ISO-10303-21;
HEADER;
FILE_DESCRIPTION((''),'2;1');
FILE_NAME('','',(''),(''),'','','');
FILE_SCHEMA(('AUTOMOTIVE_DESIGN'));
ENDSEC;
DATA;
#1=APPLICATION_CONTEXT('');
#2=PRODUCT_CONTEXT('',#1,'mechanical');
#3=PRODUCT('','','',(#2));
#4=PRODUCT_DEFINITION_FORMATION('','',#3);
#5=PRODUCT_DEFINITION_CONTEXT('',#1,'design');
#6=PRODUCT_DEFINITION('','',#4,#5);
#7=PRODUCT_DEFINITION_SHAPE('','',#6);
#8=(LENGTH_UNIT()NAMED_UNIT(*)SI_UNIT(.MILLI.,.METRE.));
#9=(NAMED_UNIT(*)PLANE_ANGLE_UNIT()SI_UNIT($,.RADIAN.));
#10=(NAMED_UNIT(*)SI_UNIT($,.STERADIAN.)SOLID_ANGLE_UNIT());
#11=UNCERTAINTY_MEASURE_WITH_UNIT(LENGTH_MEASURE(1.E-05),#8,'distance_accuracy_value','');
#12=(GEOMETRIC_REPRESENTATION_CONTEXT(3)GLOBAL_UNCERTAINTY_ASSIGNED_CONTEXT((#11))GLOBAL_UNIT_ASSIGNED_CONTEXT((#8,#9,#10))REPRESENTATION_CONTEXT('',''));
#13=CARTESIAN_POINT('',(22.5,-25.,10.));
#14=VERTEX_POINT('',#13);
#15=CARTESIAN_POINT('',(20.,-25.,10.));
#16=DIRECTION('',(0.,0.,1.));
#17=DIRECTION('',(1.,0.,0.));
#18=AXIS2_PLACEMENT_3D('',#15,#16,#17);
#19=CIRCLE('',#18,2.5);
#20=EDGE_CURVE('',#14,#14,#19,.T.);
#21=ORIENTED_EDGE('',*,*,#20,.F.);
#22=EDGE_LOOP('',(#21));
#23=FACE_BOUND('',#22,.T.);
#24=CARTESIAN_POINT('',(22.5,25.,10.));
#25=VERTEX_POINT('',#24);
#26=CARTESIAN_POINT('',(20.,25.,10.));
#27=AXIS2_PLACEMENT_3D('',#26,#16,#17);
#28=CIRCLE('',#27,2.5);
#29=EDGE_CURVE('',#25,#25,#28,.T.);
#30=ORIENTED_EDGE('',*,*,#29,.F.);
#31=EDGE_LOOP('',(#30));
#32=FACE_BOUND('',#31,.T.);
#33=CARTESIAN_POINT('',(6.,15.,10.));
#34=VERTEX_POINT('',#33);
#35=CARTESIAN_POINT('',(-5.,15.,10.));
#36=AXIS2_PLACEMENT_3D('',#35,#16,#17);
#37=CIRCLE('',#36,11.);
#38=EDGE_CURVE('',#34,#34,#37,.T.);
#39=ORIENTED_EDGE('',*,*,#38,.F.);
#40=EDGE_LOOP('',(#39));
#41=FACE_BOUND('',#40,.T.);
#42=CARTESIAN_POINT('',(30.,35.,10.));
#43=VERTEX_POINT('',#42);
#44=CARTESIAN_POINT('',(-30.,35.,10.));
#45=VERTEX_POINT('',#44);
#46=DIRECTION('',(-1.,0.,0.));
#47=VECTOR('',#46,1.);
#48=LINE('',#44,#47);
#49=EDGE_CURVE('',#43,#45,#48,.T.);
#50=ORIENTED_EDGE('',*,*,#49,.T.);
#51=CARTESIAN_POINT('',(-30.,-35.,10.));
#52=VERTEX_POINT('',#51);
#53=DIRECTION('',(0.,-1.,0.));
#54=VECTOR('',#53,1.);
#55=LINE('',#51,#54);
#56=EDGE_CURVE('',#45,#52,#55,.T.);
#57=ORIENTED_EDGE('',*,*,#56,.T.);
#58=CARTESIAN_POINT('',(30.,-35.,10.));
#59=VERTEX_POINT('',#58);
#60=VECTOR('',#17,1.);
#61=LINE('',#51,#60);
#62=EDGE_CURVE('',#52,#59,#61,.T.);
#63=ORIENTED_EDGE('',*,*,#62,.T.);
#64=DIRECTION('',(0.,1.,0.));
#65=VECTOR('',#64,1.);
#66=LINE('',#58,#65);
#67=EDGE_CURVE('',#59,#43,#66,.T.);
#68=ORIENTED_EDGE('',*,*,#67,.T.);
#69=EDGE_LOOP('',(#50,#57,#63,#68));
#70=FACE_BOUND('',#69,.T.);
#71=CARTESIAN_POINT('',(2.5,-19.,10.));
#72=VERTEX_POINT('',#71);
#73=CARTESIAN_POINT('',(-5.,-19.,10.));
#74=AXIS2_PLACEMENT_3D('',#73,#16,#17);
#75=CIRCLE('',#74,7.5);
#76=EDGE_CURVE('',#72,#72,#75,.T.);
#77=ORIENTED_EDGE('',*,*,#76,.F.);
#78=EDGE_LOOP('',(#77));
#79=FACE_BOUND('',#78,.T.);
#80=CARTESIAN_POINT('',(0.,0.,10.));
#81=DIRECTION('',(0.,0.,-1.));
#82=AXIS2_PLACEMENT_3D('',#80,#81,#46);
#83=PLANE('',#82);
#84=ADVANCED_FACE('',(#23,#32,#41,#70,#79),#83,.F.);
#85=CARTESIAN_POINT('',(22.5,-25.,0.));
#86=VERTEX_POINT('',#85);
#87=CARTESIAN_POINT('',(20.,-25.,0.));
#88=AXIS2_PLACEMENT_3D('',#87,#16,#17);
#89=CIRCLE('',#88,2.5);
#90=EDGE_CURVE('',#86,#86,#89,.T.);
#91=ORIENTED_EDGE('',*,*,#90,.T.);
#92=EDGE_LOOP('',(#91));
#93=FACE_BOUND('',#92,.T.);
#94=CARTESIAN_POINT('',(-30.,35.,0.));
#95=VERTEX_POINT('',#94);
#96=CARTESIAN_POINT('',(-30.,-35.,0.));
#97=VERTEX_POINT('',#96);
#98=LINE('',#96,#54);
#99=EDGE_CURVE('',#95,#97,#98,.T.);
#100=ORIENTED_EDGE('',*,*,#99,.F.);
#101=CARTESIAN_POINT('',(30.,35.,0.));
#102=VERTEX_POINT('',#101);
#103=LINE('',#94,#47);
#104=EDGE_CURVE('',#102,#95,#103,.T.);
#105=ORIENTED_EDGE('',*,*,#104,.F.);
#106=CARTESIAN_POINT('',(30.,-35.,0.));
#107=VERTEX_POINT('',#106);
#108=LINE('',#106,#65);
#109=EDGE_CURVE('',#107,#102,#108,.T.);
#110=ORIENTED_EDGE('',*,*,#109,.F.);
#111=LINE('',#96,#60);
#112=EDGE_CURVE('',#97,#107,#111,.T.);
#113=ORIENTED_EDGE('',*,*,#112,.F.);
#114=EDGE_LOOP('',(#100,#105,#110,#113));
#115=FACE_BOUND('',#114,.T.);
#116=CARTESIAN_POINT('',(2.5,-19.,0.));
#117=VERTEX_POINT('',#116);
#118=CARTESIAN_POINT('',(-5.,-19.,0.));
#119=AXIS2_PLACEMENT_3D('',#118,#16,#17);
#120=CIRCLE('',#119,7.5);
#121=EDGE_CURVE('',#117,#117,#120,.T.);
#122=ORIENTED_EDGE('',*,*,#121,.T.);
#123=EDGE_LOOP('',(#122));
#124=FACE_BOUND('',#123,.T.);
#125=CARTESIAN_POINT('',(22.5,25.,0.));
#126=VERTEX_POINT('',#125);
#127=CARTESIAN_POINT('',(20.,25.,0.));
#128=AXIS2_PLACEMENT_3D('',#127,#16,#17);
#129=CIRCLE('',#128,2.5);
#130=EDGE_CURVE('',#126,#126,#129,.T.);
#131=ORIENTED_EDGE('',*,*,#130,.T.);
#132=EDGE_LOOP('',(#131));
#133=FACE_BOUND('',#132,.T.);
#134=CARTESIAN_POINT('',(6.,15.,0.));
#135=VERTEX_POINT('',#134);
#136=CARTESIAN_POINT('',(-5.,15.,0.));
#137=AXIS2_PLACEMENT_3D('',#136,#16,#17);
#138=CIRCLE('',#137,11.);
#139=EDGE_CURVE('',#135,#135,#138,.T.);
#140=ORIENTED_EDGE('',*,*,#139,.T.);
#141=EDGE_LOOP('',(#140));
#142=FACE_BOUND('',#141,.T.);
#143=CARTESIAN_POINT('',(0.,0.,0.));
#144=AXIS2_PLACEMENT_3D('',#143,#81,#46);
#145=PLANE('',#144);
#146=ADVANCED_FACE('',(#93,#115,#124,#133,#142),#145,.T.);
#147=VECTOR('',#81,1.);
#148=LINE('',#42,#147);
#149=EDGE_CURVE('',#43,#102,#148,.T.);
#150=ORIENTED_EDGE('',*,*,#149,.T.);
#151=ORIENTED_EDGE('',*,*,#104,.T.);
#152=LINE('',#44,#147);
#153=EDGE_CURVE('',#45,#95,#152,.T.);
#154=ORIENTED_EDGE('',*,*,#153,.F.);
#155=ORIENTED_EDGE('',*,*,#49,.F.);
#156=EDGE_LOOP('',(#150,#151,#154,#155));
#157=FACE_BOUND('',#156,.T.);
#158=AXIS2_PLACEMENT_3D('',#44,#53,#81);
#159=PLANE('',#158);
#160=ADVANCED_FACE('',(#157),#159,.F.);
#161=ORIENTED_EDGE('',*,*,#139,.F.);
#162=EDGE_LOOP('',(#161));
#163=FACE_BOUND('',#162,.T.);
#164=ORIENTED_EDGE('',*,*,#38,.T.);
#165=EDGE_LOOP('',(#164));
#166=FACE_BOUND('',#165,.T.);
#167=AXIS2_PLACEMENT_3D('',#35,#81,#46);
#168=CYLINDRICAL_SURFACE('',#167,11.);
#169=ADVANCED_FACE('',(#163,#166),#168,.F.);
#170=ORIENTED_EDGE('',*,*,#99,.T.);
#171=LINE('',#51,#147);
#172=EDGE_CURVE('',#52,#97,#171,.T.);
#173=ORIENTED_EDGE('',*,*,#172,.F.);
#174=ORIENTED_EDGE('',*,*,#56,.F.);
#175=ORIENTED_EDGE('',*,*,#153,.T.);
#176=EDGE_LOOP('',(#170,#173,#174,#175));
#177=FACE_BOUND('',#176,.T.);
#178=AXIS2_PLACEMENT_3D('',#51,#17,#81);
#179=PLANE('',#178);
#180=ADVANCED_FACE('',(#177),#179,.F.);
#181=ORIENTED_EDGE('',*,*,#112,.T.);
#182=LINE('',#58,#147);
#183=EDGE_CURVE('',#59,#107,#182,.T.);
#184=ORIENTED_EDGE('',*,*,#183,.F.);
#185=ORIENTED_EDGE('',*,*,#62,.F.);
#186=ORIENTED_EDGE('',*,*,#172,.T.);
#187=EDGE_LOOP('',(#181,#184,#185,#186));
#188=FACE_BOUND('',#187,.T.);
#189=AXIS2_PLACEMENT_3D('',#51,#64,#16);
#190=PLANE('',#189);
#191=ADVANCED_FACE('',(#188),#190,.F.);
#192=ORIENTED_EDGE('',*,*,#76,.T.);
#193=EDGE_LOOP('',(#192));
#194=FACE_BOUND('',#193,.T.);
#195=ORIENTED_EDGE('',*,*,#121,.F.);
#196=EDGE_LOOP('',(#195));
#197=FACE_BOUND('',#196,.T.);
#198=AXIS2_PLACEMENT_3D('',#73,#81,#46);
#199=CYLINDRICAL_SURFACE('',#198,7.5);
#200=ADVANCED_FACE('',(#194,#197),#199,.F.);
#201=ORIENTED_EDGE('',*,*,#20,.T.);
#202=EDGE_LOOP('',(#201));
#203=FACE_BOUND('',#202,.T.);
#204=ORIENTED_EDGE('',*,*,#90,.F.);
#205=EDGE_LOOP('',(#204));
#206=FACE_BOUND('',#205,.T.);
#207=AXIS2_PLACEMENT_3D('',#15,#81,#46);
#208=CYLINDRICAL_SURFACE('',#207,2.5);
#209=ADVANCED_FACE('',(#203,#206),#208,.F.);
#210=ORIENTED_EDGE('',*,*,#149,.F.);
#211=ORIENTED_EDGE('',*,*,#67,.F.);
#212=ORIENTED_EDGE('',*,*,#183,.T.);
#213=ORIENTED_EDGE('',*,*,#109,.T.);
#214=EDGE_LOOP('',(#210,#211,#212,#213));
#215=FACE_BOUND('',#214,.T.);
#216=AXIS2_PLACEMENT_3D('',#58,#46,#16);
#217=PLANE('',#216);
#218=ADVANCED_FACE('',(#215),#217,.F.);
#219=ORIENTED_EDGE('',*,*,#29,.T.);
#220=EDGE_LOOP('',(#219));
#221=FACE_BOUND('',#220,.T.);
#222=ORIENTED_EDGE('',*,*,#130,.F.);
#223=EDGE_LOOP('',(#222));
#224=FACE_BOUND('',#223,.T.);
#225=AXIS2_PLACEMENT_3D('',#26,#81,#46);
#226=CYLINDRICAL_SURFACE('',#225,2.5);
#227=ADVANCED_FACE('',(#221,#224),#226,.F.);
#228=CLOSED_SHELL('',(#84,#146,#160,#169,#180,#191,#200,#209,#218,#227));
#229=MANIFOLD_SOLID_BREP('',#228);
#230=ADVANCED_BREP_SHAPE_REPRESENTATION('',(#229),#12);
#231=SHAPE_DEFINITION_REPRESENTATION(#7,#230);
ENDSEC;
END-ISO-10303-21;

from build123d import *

# Parameters (mm, degrees)
SKETCH1_W           = 60
SKETCH1_H           = 70
SKETCH1_R           = 11
SKETCH1_R_2         = 7.5
SKETCH1_R_3         = 2.5
BOSS_EXTRUDE1_DEPTH = 10


with BuildPart() as part:
    # Sketch1 → Boss-Extrude1 (new body)
    with BuildSketch(Plane.XY):
        Rectangle(SKETCH1_W, SKETCH1_H)
        with Locations((-5, 15)):
            Circle(SKETCH1_R, mode=Mode.SUBTRACT)
        with Locations((-5, -19)):
            Circle(SKETCH1_R_2, mode=Mode.SUBTRACT)
        with Locations((20, 25)):
            Circle(SKETCH1_R_3, mode=Mode.SUBTRACT)
        with Locations((20, -25)):
            Circle(SKETCH1_R_3, mode=Mode.SUBTRACT)
    extrude(amount=BOSS_EXTRUDE1_DEPTH)


solid = part.part
